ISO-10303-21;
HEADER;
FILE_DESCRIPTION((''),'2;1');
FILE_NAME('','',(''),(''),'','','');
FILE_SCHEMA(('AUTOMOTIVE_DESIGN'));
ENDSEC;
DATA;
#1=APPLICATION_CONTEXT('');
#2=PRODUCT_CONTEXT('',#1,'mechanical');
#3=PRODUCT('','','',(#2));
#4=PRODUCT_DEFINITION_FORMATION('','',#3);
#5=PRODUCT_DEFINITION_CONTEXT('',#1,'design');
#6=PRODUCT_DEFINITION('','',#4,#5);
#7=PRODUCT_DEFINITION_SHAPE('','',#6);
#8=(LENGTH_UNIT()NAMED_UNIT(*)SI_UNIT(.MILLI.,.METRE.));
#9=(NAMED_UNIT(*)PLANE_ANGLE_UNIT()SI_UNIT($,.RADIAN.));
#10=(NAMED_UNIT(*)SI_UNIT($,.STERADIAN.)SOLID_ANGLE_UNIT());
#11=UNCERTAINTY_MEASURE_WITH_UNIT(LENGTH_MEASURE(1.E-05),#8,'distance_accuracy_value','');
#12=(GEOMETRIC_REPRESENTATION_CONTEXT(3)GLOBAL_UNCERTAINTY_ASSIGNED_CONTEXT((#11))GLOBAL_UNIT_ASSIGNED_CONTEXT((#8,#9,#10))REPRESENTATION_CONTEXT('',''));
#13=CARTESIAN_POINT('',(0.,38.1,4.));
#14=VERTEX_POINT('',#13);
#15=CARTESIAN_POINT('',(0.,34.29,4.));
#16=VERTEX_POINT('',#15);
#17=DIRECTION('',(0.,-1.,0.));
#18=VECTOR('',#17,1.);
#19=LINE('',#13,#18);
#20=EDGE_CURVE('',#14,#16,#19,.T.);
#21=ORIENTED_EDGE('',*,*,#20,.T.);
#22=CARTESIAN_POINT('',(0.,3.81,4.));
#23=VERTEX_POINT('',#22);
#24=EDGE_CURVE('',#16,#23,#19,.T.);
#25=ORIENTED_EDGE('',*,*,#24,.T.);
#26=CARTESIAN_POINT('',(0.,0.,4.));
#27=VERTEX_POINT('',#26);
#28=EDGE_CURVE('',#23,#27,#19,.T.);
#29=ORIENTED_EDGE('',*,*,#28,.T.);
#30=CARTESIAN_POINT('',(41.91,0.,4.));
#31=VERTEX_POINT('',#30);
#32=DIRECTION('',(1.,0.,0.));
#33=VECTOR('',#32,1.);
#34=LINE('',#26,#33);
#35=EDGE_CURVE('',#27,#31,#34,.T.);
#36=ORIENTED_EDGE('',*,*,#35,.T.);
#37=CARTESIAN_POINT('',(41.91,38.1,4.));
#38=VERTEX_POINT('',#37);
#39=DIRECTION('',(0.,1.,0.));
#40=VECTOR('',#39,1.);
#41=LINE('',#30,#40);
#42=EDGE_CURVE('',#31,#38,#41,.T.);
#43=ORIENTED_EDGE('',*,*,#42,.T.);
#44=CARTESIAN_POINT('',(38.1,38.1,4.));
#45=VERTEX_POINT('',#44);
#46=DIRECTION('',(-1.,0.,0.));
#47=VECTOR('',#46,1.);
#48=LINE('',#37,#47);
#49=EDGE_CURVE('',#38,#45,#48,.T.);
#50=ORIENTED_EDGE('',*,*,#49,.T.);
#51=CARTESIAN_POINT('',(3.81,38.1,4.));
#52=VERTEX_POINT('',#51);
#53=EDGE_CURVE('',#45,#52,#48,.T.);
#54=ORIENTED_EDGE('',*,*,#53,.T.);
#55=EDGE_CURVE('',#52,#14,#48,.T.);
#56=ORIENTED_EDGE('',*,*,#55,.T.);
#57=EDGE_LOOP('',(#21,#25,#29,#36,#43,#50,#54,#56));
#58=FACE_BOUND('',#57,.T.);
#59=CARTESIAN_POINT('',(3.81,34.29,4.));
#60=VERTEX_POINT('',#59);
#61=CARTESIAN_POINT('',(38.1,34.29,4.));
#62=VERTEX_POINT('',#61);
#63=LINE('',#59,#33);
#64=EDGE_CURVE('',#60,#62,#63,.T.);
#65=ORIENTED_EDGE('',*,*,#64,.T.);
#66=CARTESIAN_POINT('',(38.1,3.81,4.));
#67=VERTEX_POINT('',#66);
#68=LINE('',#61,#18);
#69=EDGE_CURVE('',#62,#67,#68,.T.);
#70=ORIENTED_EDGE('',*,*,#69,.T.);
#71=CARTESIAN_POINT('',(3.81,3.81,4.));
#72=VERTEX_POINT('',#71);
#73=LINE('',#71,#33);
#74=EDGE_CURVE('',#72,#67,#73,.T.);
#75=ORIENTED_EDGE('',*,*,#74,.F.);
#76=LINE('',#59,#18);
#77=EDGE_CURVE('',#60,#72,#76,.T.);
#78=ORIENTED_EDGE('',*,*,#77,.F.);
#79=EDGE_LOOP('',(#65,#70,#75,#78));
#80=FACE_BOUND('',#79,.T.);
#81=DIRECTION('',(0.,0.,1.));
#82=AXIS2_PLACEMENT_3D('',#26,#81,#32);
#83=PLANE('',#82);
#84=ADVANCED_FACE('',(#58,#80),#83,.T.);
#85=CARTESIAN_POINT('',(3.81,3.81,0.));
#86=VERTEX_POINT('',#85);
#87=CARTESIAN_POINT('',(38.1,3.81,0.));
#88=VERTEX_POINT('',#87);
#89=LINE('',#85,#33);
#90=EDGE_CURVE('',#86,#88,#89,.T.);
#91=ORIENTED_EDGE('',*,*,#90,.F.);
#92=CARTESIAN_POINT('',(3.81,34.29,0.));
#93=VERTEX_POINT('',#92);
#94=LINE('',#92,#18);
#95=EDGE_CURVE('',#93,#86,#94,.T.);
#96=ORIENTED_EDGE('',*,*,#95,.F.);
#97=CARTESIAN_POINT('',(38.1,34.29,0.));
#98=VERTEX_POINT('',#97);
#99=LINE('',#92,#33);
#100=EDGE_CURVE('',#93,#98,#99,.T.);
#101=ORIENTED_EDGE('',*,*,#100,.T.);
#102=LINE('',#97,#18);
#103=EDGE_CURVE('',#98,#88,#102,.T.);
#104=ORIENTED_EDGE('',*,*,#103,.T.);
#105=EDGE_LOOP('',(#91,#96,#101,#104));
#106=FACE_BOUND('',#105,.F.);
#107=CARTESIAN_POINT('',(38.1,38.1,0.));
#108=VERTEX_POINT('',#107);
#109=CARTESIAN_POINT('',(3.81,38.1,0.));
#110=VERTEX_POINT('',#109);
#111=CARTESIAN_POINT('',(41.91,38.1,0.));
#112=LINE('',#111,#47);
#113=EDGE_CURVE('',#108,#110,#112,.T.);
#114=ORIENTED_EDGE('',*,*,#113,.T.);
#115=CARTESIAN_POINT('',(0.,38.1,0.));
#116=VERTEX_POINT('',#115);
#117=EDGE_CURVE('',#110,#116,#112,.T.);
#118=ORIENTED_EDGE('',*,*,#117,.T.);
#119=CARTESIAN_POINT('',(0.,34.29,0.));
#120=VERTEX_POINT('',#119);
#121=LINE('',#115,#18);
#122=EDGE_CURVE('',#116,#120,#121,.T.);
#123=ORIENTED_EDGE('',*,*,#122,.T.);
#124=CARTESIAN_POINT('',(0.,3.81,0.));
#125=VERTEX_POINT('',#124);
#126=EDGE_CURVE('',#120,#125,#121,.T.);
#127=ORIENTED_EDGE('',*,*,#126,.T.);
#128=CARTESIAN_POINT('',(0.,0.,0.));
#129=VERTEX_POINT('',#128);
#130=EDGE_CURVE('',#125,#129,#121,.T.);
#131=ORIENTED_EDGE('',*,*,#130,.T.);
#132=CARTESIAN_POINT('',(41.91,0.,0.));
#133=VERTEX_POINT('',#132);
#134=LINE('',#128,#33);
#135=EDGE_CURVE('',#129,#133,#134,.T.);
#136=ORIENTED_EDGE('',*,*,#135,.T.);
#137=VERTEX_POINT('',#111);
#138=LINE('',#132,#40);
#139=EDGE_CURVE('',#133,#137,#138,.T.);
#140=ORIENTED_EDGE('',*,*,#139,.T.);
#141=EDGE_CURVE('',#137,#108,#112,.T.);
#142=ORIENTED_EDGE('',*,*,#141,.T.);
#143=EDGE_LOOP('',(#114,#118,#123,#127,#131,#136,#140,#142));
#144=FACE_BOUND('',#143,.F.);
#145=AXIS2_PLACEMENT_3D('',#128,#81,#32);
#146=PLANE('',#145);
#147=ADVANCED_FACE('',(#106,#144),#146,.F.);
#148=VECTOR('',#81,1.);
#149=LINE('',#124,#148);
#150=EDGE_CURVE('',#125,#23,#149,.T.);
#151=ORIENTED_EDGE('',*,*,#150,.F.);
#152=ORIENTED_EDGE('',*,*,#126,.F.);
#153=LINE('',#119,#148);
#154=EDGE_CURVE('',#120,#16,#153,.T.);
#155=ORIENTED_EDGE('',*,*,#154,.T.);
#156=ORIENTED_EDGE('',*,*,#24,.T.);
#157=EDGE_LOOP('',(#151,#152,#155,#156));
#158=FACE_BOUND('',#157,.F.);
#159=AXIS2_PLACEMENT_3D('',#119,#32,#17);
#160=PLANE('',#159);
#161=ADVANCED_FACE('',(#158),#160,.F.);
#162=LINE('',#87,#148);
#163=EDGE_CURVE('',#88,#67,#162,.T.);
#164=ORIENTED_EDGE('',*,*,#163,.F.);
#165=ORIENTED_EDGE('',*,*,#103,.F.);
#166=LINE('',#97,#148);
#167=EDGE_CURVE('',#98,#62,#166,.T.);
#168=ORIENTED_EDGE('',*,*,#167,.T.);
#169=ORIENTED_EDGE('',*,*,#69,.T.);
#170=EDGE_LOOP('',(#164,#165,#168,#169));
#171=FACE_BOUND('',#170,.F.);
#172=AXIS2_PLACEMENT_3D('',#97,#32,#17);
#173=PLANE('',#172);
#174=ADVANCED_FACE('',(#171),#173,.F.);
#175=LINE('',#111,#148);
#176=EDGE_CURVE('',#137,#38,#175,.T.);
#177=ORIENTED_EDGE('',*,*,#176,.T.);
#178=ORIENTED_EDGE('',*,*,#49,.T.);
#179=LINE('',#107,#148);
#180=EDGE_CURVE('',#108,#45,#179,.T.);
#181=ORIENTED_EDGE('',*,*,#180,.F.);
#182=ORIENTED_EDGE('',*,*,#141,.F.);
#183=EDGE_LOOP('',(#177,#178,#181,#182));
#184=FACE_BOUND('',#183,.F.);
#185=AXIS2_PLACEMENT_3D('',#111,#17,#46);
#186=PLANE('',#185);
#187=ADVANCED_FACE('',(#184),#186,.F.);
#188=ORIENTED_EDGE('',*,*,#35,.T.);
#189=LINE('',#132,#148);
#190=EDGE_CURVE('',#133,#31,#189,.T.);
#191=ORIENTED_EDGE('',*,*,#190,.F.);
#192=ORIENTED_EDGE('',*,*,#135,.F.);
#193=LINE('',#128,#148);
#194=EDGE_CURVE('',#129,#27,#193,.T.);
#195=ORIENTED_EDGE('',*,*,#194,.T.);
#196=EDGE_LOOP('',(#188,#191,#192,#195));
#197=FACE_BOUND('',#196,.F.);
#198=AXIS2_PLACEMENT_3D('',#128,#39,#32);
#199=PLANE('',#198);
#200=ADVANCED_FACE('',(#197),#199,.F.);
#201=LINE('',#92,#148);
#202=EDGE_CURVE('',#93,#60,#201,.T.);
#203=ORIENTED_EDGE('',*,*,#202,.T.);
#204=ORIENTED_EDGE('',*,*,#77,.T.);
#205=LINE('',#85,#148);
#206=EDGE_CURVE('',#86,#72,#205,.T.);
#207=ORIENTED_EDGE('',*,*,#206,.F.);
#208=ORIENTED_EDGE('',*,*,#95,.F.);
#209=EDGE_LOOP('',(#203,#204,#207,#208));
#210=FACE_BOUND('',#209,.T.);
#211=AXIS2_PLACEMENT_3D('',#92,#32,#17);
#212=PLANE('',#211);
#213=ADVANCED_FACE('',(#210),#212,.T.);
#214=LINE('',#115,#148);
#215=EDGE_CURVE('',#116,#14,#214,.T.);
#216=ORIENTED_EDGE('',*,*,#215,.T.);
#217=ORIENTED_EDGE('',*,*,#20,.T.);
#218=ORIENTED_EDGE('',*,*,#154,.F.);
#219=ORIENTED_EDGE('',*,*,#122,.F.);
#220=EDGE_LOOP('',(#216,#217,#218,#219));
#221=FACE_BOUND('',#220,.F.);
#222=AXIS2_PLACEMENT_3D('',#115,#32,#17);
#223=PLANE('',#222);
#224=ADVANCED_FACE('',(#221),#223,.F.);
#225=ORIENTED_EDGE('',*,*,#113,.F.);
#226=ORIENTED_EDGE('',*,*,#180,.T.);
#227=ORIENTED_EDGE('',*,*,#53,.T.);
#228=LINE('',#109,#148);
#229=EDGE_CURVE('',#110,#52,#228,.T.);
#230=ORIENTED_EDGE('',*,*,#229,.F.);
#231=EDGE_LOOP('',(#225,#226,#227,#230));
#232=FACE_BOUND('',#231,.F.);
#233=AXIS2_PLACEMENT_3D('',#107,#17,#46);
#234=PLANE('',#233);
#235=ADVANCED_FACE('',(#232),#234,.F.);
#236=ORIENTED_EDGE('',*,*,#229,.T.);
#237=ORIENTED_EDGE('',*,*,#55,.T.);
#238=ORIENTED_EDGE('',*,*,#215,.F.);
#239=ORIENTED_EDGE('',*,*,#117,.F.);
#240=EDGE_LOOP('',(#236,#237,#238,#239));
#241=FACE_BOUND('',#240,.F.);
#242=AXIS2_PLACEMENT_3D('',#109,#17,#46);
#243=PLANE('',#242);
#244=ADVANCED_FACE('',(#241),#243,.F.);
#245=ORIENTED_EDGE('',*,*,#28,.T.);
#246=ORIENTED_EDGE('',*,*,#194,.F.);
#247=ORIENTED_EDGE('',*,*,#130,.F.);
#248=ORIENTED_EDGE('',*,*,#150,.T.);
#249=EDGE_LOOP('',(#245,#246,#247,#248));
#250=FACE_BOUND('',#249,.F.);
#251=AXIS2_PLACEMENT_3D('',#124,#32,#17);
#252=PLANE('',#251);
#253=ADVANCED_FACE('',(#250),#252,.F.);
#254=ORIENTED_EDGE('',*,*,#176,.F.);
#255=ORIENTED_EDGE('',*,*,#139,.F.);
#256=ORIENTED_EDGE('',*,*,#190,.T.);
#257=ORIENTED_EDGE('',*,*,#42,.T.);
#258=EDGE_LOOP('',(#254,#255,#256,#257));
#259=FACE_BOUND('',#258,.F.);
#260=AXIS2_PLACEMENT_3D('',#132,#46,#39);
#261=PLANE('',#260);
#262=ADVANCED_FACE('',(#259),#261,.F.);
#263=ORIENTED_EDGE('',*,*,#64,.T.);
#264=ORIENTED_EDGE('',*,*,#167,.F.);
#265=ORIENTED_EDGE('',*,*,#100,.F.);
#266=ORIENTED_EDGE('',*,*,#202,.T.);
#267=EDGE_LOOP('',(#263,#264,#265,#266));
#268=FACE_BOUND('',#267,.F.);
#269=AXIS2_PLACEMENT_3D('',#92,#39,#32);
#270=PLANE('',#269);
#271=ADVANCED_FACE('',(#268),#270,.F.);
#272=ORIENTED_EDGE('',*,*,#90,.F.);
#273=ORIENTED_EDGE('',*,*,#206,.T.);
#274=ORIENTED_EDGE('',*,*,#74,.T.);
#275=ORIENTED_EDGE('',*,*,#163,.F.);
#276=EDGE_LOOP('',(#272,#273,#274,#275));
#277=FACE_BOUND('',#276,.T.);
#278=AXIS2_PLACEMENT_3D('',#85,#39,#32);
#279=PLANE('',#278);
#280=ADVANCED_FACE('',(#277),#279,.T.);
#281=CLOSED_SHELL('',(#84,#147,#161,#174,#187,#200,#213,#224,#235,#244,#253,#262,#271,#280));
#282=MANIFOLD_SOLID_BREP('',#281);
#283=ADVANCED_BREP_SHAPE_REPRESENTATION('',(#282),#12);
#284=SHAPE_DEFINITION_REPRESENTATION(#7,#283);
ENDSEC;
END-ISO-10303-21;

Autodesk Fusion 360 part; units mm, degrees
sketch "Sketch1" plane through (0, 0, 0) normal (0, 0, 1) x (1, 0, 0)
  line L0 (0, 0) -> (41.91, 0)
  line L1 (41.91, 0) -> (41.91, 38.1)
  line L2 (41.91, 38.1) -> (0, 38.1)
  line L3 (0, 38.1) -> (0, 0)
  line L4 (0, 38.1) -> (3.81, 38.1)
  line L5 (3.81, 34.29) -> (3.81, 3.81)
  line L6 (0, 0) -> (0, 3.81)
  line L7 (3.81, 3.81) -> (38.1, 3.81)
  line L8 (0, 38.1) -> (0, 34.29)
  line L9 (3.81, 34.29) -> (38.1, 34.29)
  line L10 (41.91, 38.1) -> (38.1, 38.1)
  line L11 (38.1, 34.29) -> (38.1, 3.81)
  dimension "d1" = 41.91
  dimension "d2" = 38.1
  dimension "d3" = 3.81
  dimension "d4" = 3.81
  dimension "d5" = 3.81
  dimension "d6" = 3.81
sketch "Sketch2" plane through (0, 0, 0) normal (0, 0, 1) x (1, 0, 0)
extrude "Extrude1" add sketch "Sketch1" along normal blind 4
